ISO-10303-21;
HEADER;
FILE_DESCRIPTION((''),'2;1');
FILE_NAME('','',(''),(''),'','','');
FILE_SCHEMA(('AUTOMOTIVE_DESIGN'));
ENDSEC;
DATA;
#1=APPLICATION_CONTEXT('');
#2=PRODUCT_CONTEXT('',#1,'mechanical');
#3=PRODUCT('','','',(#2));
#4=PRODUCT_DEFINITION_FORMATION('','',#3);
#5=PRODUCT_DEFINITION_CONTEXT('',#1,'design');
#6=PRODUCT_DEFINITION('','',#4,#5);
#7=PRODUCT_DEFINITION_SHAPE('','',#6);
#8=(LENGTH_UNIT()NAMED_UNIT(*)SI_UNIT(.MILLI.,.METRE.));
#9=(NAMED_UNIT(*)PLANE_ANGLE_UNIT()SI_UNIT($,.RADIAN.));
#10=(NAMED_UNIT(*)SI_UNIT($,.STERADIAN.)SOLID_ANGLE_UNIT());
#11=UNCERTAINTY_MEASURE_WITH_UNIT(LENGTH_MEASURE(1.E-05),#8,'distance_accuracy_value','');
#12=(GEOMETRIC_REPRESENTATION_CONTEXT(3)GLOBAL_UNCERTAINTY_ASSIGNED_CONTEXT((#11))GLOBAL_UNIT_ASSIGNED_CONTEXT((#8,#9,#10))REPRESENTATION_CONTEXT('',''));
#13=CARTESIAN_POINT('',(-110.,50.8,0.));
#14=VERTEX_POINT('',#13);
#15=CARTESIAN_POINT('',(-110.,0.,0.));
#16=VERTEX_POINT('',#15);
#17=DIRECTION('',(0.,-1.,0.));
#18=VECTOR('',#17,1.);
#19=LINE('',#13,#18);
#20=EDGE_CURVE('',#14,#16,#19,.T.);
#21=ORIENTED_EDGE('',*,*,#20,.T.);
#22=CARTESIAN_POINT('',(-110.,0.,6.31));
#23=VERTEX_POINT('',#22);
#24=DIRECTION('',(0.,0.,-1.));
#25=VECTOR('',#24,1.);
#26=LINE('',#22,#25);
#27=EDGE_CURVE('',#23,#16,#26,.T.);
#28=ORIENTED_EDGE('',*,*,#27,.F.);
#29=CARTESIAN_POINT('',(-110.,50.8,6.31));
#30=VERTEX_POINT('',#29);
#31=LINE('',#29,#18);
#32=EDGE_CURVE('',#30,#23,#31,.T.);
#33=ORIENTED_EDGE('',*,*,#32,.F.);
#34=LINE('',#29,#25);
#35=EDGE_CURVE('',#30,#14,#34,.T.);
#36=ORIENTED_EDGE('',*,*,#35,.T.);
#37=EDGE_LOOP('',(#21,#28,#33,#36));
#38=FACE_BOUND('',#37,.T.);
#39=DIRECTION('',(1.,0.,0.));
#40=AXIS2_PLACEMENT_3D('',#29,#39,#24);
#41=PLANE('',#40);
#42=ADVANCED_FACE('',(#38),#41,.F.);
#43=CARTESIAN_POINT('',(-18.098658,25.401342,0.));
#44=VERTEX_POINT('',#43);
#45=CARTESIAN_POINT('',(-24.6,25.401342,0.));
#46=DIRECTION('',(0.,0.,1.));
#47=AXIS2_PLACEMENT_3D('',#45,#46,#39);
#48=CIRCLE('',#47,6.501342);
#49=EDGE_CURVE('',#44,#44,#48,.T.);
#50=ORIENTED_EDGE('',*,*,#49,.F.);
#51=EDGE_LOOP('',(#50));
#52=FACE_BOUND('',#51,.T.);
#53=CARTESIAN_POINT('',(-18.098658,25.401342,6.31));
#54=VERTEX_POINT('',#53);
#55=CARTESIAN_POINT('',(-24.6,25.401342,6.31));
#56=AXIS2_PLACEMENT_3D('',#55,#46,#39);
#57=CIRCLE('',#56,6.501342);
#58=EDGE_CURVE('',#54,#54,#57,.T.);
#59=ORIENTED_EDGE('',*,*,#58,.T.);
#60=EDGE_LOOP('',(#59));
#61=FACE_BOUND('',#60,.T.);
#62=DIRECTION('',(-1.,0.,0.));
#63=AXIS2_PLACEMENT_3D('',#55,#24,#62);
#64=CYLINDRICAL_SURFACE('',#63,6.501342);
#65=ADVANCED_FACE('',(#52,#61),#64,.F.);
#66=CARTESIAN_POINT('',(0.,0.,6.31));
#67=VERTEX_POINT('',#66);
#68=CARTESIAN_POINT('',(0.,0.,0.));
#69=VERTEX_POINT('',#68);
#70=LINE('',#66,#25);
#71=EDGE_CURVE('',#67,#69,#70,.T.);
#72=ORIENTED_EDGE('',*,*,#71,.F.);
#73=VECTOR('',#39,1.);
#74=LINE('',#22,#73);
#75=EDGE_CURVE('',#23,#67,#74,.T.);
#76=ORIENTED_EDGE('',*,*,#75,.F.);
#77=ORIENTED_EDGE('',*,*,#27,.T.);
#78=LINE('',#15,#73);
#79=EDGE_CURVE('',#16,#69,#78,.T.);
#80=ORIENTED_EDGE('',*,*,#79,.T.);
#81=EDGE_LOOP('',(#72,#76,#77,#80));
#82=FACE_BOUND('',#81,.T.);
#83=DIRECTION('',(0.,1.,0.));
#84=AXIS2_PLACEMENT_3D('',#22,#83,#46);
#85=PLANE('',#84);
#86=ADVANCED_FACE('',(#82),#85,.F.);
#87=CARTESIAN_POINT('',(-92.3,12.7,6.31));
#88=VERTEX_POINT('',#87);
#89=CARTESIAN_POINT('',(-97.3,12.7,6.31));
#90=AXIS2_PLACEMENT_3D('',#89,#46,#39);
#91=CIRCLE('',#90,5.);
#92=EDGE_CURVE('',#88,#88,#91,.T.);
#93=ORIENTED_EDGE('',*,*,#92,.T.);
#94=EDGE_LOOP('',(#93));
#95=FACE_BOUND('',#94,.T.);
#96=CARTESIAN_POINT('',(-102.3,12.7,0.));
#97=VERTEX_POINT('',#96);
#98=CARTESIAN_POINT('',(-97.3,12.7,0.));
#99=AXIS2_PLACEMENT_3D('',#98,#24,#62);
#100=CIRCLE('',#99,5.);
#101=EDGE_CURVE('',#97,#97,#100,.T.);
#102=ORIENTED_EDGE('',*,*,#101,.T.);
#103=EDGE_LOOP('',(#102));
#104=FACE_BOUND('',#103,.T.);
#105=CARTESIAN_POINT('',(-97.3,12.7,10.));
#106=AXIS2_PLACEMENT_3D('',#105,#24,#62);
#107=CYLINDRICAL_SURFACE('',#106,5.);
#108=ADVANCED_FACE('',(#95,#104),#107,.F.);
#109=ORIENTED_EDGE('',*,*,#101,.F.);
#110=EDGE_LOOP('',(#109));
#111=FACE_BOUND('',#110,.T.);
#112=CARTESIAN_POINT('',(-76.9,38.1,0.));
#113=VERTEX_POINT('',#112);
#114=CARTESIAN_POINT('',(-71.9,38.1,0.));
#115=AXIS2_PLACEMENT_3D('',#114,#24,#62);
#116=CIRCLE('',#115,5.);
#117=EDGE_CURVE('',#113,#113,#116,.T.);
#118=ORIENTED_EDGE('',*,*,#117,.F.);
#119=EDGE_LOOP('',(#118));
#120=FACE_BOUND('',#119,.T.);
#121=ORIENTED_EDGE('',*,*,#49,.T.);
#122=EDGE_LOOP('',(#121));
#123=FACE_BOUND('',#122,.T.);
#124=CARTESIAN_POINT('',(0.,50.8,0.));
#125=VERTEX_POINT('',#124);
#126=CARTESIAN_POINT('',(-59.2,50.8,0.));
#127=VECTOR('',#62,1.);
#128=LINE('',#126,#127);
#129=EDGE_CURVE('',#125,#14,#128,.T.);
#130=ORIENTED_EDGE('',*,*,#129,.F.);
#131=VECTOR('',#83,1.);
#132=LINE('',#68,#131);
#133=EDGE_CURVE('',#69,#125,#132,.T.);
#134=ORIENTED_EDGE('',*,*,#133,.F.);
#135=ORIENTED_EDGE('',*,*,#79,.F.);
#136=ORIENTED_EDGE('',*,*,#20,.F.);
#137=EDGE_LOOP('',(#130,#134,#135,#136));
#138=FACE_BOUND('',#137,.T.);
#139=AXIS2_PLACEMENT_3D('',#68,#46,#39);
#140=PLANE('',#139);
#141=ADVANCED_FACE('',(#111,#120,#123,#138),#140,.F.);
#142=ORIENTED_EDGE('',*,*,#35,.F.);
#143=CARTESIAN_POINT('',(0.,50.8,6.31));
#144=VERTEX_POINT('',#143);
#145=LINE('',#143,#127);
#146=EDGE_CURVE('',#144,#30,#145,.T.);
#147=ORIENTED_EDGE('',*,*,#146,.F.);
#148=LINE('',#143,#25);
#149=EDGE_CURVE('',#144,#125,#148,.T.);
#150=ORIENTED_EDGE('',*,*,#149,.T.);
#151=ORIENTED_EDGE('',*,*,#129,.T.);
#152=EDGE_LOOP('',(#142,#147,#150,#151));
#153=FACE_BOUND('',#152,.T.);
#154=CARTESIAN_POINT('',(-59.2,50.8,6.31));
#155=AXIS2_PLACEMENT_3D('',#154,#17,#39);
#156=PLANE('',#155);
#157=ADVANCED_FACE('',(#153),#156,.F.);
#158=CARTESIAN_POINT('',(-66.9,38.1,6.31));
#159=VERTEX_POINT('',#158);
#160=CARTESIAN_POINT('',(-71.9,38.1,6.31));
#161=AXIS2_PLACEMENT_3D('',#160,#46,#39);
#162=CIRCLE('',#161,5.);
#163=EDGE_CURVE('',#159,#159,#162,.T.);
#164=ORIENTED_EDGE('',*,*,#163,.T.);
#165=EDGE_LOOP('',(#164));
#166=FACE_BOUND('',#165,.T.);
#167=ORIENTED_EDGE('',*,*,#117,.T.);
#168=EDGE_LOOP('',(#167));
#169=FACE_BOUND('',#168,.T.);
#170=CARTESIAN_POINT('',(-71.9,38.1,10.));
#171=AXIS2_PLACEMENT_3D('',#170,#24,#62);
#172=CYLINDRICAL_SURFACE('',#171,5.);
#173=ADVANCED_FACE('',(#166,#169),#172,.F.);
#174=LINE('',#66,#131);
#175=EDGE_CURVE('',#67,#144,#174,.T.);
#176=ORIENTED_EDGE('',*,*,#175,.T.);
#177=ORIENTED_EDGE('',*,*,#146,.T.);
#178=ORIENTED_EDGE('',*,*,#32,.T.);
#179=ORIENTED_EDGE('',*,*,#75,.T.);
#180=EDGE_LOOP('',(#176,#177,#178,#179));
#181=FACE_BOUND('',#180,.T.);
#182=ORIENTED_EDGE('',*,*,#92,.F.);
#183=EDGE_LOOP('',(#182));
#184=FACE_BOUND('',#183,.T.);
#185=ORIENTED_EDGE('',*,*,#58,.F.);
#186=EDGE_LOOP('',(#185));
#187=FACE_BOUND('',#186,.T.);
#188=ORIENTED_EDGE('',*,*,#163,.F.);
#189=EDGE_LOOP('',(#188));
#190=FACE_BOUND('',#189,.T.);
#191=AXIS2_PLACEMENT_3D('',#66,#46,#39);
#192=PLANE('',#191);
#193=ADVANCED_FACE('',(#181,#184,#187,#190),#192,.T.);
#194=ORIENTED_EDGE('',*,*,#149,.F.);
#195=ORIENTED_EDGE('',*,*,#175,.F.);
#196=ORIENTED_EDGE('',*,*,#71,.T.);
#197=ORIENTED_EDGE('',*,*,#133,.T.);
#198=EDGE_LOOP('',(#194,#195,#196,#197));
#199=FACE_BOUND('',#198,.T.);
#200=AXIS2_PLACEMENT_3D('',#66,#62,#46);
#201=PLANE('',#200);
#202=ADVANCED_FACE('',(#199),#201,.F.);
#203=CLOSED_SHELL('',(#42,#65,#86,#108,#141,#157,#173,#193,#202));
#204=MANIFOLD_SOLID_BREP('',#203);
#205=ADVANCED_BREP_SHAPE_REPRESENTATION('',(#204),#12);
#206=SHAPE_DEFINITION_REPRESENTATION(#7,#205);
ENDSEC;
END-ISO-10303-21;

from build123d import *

# Parameters (mm, degrees)
CROQUIS1_R              = 6.501341754
SALIENTE_EXTRUIR1_DEPTH = 6.31
CROQUIS2_R              = 5
CORTAR_EXTRUIR1_DEPTH   = 10


with BuildPart() as part:
    # Croquis1 → Saliente-Extruir1 (new body)
    with BuildSketch(Plane.XY):
        Polygon((-59.2, 50.8), (-110, 50.8), (-110, 0), (0, 0), (0, 50.8), align=None)
        with Locations((-24.6, 25.401341754)):
            Circle(CROQUIS1_R, mode=Mode.SUBTRACT)
    extrude(amount=SALIENTE_EXTRUIR1_DEPTH)

    # Croquis2 → Cortar-Extruir1 (cut)
    with BuildSketch(Plane(origin=(0, 0, 0), x_dir=(-1, 0, 0), z_dir=(0, 0, -1))):
        with Locations((97.3, 12.7)):
            Circle(CROQUIS2_R)
        with Locations((71.9, 38.1)):
            Circle(CROQUIS2_R)
    extrude(amount=-CORTAR_EXTRUIR1_DEPTH, mode=Mode.SUBTRACT)


solid = part.part
